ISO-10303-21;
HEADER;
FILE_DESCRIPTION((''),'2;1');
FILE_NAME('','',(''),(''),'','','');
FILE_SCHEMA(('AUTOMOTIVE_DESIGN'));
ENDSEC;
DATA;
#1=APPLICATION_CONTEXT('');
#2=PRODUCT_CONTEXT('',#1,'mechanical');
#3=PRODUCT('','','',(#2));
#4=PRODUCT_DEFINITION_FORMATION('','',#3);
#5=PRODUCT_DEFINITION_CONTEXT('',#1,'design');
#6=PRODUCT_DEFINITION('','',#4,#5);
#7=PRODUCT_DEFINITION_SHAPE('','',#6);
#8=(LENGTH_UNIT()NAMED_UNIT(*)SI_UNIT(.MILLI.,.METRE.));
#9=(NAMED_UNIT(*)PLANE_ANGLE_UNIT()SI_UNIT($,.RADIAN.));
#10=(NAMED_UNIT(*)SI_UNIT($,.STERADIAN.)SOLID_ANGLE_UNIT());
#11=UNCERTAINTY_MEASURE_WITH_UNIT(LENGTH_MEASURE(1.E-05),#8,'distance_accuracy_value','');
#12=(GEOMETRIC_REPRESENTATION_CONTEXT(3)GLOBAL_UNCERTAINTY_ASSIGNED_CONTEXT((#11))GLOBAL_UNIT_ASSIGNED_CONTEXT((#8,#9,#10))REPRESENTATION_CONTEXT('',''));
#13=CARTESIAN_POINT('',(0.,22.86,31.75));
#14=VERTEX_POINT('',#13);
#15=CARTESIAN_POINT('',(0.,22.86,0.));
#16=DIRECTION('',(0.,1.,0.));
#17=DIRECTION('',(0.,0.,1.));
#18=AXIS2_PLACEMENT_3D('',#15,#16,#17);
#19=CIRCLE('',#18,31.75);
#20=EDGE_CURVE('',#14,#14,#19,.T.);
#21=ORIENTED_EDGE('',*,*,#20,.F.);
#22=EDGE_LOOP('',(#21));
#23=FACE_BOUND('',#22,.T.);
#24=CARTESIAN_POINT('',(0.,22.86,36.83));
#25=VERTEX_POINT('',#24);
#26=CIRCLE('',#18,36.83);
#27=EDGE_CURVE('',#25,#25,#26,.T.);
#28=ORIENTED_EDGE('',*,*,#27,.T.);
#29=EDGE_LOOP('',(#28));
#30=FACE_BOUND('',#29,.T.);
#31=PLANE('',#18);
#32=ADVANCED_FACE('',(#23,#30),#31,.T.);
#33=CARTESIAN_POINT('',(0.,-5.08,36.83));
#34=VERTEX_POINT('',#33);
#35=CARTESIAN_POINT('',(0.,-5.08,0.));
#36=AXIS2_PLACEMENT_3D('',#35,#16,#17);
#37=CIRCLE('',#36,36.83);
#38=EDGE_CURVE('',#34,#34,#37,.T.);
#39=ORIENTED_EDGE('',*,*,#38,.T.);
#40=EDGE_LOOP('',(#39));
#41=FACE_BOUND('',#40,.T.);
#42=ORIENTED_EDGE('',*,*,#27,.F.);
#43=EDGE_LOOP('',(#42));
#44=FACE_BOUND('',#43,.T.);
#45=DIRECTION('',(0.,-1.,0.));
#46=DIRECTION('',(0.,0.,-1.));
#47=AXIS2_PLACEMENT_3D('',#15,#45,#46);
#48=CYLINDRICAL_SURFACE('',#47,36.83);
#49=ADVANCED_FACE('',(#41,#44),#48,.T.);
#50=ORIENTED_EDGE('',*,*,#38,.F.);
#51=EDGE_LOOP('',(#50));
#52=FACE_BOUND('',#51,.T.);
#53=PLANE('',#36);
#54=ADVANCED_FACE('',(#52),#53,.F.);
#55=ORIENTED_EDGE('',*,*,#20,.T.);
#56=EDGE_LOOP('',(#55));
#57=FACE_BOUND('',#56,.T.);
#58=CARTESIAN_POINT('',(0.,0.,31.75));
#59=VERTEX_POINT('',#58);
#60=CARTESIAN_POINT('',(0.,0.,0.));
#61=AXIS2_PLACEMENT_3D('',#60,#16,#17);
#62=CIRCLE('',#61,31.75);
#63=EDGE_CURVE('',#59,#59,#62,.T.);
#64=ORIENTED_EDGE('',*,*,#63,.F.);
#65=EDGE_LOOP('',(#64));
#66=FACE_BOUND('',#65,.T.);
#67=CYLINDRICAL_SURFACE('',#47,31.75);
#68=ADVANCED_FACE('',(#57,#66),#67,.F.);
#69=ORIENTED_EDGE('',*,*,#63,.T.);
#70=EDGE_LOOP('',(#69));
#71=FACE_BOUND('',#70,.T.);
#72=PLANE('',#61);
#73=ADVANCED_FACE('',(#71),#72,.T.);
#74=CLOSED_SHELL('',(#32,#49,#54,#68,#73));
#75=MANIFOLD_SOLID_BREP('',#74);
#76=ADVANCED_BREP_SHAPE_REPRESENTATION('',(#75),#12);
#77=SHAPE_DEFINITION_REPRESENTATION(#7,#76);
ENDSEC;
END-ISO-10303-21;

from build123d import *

# Parameters (mm, degrees)
SKETCH1_R           = 31.75
BOSS_EXTRUDE2_DEPTH = 22.86
SHELL3_T            = 5.08


with BuildPart() as part:
    # Sketch1 → Boss-Extrude2 (new body)
    with BuildSketch(Plane(origin=(0, 0, 0), x_dir=(1, 0, 0), z_dir=(0, 1, 0))):
        with Locations(Location((0, 0, 0), (0, 0, 270))):
            Circle(SKETCH1_R)
    extrude(amount=BOSS_EXTRUDE2_DEPTH)

    # Shell3
    shell3_openings = [part.faces().sort_by_distance(p)[0] for p in [
        (0, 22.86, 0),
    ]]
    offset(amount=SHELL3_T, openings=shell3_openings, kind=Kind.INTERSECTION)


solid = part.part
